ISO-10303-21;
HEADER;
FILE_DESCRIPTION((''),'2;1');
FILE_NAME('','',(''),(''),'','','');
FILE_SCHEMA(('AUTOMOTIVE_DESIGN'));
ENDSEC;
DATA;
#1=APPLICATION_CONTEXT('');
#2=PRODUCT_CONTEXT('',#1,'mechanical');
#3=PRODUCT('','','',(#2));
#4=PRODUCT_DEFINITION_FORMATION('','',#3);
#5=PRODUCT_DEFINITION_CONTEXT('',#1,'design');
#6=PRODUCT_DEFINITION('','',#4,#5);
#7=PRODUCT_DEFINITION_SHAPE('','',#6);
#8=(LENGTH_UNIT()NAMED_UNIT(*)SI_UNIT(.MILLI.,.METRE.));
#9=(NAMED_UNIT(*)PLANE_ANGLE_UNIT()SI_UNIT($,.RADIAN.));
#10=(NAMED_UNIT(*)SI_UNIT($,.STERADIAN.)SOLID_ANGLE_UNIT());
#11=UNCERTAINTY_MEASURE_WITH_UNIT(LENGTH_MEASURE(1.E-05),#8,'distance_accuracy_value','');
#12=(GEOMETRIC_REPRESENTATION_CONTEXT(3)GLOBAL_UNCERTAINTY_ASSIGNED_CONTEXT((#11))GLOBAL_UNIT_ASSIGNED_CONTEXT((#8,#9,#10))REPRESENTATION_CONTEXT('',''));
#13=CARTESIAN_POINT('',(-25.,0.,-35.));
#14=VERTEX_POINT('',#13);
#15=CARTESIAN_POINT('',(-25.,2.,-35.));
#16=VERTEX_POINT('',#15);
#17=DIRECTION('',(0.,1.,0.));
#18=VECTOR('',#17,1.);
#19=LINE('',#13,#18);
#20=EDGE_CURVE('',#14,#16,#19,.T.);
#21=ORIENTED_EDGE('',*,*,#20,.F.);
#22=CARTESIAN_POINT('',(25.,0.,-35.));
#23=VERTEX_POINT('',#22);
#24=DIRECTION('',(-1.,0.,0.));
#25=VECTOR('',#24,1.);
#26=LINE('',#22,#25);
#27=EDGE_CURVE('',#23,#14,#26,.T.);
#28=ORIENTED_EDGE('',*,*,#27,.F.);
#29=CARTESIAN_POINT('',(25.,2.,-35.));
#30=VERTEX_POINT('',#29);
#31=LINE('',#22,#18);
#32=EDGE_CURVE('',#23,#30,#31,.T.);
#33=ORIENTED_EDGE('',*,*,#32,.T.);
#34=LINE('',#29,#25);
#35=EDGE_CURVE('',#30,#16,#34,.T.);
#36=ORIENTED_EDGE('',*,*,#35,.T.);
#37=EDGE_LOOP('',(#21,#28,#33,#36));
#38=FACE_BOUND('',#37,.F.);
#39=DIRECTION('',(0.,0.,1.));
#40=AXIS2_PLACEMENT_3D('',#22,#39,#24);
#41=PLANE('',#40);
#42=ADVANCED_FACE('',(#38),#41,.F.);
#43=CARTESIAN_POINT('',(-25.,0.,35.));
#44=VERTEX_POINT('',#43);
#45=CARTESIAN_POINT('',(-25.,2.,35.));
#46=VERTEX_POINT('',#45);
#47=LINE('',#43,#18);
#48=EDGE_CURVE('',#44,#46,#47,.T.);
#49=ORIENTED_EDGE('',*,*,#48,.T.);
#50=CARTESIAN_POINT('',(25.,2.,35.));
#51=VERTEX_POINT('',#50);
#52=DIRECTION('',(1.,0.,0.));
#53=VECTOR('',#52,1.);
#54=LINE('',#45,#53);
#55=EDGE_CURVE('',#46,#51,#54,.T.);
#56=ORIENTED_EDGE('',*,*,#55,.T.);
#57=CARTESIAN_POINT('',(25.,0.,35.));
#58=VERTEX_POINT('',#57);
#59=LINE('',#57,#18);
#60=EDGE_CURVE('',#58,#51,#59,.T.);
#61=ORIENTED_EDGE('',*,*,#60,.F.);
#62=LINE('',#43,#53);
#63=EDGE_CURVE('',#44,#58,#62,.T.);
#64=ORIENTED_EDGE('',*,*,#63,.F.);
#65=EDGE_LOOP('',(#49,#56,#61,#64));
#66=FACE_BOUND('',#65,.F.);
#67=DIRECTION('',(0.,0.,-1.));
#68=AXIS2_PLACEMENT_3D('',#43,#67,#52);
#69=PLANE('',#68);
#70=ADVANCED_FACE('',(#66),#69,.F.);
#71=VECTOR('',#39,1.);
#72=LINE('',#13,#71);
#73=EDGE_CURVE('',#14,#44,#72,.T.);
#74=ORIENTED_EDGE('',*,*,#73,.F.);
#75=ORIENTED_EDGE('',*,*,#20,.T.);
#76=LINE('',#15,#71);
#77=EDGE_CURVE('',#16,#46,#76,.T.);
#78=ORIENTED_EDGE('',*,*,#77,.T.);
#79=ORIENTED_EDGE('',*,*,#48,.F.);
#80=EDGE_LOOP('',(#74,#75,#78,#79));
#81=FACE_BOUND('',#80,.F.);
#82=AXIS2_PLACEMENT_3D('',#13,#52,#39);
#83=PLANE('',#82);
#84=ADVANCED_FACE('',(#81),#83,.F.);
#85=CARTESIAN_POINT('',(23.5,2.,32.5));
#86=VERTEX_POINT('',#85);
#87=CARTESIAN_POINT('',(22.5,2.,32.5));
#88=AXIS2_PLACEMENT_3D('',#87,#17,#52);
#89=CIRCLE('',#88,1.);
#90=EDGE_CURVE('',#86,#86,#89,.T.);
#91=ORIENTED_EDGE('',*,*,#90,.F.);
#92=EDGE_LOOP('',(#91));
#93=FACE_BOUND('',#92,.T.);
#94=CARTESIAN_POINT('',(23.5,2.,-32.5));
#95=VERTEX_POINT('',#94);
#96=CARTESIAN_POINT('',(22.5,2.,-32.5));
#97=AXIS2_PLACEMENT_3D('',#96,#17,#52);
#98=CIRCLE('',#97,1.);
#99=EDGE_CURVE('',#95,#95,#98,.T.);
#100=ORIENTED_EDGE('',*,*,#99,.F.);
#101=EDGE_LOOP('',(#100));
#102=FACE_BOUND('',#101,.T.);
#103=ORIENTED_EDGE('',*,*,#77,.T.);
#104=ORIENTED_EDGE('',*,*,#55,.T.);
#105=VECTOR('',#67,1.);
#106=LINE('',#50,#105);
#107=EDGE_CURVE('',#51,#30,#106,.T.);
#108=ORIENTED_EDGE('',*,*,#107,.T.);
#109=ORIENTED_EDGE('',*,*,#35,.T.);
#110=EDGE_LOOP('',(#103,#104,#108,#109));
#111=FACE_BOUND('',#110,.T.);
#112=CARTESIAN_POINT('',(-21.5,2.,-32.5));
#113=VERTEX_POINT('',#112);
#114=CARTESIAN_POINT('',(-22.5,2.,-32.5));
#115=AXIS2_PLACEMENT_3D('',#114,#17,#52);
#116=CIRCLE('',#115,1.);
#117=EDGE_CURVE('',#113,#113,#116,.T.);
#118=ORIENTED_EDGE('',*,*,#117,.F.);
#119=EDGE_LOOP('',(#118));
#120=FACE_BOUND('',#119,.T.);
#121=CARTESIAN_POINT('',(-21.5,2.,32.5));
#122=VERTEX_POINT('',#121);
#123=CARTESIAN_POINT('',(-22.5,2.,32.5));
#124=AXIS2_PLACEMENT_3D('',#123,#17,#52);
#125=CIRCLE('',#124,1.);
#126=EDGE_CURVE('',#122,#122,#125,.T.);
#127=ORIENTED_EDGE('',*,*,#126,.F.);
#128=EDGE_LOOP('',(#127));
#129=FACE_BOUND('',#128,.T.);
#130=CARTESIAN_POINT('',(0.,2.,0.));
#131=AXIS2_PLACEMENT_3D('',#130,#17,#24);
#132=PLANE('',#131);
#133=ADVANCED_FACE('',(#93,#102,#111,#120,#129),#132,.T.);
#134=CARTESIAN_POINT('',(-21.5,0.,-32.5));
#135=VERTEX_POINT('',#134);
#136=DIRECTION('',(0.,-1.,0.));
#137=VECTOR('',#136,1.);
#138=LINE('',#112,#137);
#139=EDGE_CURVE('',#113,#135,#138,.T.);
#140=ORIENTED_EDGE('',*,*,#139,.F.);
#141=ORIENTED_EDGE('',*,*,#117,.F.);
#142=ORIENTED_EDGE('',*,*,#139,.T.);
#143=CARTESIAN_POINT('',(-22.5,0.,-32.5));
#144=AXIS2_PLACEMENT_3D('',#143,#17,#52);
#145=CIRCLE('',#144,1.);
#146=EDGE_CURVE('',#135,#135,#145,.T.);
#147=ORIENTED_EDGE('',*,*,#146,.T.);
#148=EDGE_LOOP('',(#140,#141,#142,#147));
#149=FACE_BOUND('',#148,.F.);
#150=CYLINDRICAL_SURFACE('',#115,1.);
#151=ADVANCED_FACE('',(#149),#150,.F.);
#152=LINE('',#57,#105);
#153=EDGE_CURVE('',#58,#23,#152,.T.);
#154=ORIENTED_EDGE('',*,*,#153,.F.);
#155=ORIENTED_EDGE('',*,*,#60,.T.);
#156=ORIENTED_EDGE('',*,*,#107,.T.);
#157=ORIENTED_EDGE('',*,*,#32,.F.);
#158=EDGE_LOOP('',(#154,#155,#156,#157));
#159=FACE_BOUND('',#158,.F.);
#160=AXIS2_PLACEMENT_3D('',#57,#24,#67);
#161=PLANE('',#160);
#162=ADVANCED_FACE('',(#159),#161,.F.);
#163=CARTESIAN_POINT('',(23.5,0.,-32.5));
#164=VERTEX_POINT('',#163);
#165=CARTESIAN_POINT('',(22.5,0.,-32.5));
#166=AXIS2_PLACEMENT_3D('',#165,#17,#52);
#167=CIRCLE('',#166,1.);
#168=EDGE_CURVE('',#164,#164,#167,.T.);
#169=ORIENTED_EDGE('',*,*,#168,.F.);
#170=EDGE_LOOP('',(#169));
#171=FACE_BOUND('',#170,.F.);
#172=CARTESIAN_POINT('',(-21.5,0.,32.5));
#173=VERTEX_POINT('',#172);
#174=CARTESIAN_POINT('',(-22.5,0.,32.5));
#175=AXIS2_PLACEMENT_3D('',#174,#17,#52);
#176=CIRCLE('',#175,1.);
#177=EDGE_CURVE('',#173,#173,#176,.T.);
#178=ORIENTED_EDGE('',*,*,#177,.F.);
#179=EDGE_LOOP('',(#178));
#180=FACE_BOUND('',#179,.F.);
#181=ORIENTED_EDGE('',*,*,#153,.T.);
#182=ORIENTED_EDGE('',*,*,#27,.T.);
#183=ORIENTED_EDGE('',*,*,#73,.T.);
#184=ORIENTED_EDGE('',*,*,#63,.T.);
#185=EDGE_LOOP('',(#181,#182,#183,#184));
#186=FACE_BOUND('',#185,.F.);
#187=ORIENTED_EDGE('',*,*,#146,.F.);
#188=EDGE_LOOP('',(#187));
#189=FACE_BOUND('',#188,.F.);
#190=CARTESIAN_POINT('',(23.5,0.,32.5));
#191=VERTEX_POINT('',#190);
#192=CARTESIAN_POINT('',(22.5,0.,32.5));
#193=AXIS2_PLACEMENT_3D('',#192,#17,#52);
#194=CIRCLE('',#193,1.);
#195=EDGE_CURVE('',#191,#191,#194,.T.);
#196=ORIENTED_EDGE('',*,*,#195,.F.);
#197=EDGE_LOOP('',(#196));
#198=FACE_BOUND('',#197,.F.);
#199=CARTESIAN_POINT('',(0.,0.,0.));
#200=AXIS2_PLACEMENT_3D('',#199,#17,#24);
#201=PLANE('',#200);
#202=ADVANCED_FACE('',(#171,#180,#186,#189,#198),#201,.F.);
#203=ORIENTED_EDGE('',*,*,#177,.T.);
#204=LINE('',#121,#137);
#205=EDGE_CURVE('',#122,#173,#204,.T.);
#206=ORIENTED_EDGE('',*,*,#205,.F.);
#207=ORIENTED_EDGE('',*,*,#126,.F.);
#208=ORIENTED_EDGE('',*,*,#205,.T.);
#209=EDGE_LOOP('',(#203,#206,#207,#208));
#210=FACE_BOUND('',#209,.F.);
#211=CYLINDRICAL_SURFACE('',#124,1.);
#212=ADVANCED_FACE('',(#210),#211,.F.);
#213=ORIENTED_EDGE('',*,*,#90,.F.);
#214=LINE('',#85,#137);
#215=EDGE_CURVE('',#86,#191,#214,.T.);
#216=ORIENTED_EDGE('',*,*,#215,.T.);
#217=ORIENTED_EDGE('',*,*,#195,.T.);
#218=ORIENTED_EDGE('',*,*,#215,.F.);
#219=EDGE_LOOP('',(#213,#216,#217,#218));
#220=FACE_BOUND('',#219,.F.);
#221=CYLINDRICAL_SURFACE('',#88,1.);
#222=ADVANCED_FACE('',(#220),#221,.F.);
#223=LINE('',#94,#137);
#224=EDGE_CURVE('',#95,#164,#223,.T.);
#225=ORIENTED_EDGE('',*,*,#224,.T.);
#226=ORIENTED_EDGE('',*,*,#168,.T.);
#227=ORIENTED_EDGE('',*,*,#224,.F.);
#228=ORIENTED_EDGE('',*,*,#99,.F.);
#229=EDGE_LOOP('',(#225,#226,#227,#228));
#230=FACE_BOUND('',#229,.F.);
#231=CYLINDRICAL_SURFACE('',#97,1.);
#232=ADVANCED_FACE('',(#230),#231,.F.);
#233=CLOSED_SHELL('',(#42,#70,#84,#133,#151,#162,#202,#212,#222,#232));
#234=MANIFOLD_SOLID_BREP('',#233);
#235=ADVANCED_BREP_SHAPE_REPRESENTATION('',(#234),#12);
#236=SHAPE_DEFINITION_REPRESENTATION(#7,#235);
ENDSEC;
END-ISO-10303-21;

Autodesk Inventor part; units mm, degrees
ref_plane "YZ Plane" through (0, 0, 0) normal (1, 0, 0) x (0, 1, 0)
ref_plane "XZ Plane" through (0, 0, 0) normal (0, 1, 0) x (-1, 0, 0)
ref_plane "XY Plane" through (0, 0, 0) normal (0, 0, 1) x (1, 0, 0)
sketch "Sketch1" plane through (0, 0, 0) normal (0, 1, 0) x (-1, 0, 0)
  line L0 (25, 35) -> (-25, 35)
  line L1 (-25, 35) -> (-25, -35)
  line L2 (-25, -35) -> (25, -35)
  line L3 (25, -35) -> (25, 35)
  line L4 (25, 35) -> (-25, -35) construction
  line L5 (-25, 35) -> (25, -35) construction
  point P0 (0, 0)
  dimension "d0" = 50
  dimension "d1" = 70
extrude "Extrusion1" add sketch "Sketch1" along normal blind 2
sketch "Sketch2" plane through (0, 2, 0) normal (0, 1, 0) x (1, 0, 0)
  line L0 (-22.5, -32.5) -> (22.5, -32.5) construction
  line L1 (22.5, -32.5) -> (22.5, 32.5) construction
  line L2 (22.5, 32.5) -> (-22.5, 32.5) construction
  line L3 (-22.5, 32.5) -> (-22.5, -32.5) construction
  line L4 (-22.5, -32.5) -> (22.5, 32.5) construction
  line L5 (22.5, -32.5) -> (-22.5, 32.5) construction
  circle A0 centre (-22.5, 32.5) radius 1
  circle A1 centre (-22.5, -32.5) radius 1
  circle A2 centre (22.5, -32.5) radius 1
  circle A3 centre (22.5, 32.5) radius 1
  point P0 (0, 0)
  dimension "d4" = 45
  dimension "d5" = 65
  dimension "d6" = 2
extrude "Extrusion2" cut sketch "Sketch2" against normal through all
ref_plane "Work Plane1" through (0, 0, -35) normal (-1, 0, 0) x (0, 0, 1)
ref_plane "Work Plane2" through (-25, 0, 0) normal (0, 0, 1) x (1, 0, 0)
properties part number "A-00"
